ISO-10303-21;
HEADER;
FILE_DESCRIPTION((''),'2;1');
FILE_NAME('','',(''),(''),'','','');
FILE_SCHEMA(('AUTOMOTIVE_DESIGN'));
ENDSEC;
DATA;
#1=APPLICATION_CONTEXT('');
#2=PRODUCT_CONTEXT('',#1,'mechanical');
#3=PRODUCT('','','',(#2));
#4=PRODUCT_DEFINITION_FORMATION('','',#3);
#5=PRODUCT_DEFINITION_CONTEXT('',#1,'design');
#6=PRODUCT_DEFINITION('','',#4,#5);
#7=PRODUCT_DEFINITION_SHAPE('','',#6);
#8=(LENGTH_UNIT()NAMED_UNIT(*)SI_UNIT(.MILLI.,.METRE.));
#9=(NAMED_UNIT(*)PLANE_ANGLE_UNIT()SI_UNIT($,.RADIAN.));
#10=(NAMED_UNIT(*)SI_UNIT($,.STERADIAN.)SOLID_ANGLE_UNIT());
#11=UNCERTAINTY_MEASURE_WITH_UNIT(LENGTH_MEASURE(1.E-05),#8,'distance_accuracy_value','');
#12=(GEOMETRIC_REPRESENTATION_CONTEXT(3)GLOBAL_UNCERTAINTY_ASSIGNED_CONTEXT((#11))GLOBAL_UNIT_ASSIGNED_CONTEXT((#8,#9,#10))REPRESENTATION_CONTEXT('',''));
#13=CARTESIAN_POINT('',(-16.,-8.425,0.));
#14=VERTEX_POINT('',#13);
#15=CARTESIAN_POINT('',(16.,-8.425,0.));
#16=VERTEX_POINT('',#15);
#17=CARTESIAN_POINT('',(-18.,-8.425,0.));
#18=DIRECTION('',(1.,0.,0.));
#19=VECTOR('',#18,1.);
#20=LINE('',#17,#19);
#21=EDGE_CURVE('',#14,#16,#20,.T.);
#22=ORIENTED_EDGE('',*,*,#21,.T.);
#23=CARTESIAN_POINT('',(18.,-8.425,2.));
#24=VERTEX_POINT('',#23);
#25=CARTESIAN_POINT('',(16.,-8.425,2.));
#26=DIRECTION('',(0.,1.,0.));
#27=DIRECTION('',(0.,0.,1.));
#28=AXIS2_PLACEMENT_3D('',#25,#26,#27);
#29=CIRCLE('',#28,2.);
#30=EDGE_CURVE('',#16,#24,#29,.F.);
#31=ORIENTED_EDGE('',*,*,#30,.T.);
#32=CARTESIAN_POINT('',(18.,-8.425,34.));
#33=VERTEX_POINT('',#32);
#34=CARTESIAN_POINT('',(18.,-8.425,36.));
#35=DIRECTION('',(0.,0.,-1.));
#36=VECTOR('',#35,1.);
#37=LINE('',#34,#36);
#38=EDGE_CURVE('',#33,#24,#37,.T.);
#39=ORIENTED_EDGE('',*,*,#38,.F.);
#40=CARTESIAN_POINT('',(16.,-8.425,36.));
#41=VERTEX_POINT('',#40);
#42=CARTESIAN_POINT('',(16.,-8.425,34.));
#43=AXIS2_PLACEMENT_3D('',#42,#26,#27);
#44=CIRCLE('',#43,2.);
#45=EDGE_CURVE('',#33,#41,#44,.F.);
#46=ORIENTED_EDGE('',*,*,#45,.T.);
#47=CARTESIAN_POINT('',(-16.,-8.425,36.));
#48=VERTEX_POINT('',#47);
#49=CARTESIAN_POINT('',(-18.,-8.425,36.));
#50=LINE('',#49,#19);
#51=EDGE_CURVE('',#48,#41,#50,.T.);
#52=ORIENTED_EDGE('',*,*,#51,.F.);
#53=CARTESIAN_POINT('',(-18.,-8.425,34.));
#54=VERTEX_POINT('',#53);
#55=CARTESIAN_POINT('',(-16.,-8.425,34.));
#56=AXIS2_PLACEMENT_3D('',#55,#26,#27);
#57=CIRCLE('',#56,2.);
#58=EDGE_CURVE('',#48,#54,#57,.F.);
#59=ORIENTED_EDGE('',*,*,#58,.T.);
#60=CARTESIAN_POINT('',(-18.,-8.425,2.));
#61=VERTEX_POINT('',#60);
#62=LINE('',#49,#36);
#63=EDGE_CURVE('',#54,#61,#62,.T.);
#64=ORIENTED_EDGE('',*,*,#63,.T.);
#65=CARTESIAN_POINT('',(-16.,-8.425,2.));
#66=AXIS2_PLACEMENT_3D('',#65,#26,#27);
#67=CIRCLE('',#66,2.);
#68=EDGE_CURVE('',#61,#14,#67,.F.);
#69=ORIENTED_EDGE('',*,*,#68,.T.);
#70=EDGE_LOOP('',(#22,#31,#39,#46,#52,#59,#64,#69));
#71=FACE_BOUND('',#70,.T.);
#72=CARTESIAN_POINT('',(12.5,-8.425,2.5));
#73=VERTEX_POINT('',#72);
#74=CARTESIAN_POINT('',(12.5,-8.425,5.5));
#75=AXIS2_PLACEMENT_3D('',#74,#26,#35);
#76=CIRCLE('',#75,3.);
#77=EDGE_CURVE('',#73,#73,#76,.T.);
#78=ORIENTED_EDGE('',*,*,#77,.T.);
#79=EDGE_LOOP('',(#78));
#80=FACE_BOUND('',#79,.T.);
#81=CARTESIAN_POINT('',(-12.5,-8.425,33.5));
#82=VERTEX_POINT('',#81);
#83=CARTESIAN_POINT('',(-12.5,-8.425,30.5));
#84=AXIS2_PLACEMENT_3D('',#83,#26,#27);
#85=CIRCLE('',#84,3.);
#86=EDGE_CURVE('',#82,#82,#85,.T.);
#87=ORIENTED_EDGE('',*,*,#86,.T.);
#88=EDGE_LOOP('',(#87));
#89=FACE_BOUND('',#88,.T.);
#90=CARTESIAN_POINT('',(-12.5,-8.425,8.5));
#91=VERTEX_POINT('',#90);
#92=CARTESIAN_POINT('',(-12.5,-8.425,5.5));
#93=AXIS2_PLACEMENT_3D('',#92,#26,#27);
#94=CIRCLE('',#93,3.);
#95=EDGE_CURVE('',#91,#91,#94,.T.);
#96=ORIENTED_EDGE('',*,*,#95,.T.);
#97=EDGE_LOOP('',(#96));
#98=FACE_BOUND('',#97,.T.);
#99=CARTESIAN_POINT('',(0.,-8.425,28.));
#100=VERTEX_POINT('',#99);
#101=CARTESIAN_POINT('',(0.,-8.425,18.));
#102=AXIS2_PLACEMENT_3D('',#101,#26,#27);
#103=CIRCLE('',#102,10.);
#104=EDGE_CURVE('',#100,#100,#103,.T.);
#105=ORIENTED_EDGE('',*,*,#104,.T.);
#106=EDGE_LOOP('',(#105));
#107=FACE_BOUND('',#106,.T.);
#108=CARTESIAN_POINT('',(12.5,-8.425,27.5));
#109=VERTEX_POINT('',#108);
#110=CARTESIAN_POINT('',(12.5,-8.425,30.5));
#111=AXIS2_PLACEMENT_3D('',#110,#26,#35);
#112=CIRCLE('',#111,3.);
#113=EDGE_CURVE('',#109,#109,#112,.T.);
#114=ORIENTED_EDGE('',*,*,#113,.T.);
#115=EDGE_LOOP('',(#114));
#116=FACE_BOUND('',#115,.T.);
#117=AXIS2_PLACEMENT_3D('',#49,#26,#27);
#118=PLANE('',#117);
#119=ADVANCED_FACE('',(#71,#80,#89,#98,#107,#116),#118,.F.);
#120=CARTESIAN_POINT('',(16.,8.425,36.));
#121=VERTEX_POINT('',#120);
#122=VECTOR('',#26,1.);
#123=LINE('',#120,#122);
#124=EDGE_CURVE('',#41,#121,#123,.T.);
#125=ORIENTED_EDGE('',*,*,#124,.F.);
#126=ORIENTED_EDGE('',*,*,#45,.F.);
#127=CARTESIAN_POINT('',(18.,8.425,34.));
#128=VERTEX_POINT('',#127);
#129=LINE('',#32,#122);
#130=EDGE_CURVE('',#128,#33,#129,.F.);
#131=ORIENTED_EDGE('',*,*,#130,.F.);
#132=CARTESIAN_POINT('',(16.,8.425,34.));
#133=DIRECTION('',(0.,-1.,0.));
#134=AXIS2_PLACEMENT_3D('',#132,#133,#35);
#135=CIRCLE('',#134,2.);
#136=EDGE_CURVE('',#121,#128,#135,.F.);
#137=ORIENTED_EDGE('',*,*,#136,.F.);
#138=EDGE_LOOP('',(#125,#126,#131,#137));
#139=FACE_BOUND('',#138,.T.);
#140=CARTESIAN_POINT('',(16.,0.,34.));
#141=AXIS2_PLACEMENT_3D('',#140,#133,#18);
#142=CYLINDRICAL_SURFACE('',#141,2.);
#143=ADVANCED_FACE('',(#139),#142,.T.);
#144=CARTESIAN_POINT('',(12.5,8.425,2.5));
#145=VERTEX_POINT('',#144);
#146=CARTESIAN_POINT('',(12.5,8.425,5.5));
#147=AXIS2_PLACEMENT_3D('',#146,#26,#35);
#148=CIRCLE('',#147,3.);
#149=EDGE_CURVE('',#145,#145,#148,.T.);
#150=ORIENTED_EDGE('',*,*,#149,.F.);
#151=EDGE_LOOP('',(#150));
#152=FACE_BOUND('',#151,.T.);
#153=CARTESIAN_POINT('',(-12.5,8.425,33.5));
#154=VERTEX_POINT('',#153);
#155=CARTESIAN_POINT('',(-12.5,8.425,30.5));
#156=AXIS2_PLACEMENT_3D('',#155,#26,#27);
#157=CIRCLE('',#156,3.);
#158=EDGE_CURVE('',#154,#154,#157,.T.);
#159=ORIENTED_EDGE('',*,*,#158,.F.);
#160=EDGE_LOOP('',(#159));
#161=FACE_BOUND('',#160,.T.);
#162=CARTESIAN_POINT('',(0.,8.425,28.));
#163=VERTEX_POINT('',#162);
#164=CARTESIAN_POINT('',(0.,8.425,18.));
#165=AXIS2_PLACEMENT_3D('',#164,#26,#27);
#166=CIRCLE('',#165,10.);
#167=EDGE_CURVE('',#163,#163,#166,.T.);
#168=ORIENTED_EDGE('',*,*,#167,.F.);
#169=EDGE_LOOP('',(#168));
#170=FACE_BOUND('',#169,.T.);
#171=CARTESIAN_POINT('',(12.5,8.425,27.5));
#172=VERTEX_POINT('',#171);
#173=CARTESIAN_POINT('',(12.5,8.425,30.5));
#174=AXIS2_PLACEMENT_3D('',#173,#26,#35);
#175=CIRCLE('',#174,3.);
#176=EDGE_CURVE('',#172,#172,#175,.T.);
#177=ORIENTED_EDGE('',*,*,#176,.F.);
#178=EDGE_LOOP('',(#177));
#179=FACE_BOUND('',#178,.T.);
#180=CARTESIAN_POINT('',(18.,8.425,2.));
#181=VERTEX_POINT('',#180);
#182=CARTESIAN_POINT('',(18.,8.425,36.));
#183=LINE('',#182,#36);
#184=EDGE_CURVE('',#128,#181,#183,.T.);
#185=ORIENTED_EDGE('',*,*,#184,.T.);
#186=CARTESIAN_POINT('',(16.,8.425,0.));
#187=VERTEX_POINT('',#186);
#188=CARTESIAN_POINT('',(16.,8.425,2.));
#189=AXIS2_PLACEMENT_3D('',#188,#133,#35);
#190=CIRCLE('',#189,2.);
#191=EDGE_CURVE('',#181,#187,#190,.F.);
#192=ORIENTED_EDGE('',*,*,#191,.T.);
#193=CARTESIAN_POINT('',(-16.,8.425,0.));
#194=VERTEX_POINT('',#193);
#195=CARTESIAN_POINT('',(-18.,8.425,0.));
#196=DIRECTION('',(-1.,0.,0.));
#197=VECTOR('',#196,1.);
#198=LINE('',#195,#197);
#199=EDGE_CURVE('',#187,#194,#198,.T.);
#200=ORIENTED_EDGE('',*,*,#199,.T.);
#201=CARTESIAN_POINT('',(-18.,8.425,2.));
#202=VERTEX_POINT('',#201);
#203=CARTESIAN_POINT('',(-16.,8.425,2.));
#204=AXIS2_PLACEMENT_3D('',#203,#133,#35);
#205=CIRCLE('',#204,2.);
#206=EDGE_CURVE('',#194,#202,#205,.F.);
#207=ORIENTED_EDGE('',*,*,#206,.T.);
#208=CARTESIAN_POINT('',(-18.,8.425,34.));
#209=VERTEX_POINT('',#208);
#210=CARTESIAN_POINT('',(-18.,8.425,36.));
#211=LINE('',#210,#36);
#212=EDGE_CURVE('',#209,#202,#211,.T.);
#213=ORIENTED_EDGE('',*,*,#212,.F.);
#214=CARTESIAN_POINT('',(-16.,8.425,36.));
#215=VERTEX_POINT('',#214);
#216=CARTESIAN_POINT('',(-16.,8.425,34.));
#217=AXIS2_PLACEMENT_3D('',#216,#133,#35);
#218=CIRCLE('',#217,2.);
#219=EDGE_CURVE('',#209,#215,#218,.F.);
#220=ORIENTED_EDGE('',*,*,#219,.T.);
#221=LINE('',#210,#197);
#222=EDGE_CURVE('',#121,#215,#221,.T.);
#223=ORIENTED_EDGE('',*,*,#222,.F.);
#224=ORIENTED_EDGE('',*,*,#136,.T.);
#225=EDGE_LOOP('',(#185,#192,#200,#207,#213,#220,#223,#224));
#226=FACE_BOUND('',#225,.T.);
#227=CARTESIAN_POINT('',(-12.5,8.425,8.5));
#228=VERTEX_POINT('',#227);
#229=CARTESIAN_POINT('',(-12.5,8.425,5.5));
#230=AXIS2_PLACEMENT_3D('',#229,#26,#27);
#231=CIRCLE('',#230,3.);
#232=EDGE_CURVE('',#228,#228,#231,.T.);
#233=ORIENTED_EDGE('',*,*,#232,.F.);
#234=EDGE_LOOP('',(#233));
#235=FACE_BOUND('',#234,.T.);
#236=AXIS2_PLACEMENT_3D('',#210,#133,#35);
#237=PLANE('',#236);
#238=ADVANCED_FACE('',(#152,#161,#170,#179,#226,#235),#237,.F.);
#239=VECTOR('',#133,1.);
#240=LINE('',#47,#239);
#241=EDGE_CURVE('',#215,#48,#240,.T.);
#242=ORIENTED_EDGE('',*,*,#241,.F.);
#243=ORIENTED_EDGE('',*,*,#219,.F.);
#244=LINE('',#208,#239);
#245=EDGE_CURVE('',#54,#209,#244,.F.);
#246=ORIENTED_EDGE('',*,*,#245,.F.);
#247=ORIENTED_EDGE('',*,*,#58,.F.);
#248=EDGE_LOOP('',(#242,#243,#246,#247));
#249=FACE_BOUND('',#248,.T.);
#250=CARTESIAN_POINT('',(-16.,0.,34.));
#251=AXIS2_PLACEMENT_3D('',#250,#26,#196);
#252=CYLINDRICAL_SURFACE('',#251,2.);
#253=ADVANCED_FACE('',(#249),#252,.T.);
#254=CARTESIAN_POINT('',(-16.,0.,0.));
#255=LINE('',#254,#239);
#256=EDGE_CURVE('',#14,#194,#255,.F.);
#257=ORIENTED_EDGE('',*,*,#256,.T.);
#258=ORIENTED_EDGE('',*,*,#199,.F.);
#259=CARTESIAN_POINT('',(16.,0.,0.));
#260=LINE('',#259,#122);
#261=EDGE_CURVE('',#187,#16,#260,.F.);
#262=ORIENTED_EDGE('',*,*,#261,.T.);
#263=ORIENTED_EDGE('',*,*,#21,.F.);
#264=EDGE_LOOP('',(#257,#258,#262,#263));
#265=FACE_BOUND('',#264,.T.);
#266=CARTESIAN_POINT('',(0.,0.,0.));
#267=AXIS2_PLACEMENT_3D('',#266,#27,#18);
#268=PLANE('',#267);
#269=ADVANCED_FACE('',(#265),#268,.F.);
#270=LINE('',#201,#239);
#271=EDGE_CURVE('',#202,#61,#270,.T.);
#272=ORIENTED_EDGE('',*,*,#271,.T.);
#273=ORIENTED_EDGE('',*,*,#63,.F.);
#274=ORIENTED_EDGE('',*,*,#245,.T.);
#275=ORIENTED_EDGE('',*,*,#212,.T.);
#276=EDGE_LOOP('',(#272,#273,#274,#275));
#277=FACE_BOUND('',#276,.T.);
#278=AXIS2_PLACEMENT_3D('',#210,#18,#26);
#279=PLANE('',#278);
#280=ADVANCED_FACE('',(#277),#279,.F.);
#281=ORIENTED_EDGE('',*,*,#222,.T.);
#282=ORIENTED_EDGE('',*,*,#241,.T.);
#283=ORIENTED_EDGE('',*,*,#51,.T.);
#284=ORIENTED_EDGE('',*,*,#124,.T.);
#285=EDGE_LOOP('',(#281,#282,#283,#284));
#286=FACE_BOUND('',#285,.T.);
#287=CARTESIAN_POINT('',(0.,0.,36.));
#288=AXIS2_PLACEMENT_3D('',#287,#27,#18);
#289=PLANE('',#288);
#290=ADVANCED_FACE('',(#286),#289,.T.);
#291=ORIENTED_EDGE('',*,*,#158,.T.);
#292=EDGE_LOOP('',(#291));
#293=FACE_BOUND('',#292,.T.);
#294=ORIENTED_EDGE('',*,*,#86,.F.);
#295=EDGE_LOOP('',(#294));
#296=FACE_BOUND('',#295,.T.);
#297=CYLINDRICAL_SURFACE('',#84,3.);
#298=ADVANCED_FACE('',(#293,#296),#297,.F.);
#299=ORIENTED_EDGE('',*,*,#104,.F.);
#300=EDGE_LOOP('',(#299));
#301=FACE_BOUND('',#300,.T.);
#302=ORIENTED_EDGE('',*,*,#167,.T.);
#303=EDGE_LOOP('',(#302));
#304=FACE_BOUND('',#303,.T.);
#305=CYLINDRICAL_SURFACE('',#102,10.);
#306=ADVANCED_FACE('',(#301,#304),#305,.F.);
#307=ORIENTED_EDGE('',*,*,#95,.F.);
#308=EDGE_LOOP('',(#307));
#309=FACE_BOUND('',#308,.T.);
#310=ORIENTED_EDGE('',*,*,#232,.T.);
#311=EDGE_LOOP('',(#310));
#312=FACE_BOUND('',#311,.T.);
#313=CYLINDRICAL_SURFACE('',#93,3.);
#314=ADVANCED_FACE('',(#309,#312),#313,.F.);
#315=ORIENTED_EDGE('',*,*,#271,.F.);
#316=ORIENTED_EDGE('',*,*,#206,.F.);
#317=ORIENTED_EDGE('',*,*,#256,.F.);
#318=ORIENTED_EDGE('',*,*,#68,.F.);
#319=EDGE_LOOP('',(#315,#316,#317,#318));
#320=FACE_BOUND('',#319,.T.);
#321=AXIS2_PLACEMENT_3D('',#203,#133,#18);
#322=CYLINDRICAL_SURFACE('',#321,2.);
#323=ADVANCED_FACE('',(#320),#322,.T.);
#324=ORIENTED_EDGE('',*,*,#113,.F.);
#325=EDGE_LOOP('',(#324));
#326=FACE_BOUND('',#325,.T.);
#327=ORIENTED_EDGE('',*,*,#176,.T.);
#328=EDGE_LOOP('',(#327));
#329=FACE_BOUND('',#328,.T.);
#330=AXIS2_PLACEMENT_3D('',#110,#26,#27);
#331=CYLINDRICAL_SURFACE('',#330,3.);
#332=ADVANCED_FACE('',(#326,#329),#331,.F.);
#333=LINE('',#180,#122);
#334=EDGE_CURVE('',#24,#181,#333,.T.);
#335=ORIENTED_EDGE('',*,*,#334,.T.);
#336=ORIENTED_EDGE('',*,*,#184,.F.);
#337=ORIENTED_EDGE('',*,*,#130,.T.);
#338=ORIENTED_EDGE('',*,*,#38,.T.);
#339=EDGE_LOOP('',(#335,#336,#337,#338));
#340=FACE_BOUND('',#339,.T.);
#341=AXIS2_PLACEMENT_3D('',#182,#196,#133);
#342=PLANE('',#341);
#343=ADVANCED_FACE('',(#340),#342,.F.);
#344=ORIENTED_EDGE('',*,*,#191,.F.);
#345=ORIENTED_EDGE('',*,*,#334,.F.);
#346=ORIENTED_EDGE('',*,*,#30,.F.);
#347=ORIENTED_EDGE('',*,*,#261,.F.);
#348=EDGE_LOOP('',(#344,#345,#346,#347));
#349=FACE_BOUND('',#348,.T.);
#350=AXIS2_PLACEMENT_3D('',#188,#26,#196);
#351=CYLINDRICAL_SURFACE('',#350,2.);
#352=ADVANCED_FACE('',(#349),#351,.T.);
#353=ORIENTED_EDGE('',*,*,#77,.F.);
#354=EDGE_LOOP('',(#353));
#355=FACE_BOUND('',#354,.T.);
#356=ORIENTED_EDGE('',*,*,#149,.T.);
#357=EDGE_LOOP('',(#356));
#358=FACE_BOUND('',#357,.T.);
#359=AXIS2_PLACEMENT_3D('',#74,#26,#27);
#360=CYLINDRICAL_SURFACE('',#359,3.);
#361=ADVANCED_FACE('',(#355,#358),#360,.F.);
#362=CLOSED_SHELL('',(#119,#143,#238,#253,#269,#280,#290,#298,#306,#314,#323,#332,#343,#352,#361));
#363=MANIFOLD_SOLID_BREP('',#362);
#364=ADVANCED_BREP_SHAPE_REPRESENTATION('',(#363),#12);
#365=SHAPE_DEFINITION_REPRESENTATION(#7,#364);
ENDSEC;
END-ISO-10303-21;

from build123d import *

# Parameters (mm, degrees)
SKETCH_1_W          = 36
SKETCH_1_H          = 16.85
EXTRUDE_1_DEPTH     = 36
SKETCH_2_R          = 3
CUT_EXTRUDE_1_DEPTH = 17.85
SKETCH_3_R          = 10
CUT_EXTRUDE_2_DEPTH = 17.85
FILLET_1_R          = 2


with BuildPart() as part:
    # 草图1 → 凸台-拉伸1 (new body)
    with BuildSketch(Plane.XY):
        Rectangle(SKETCH_1_W, SKETCH_1_H)
    extrude(amount=EXTRUDE_1_DEPTH)

    # 草图2 → 切除-拉伸1 (cut, through all)
    with BuildSketch(Plane(origin=(0, 8.425, 0), x_dir=(1, 0, 0), z_dir=(0, 1, 0))):
        with Locations((-12.5, -5.5)):
            Circle(SKETCH_2_R)
        with Locations((-12.5, -30.5)):
            Circle(SKETCH_2_R)
        with Locations((12.5, -30.5)):
            Circle(SKETCH_2_R)
        with Locations((12.5, -5.5)):
            Circle(SKETCH_2_R)
    extrude(amount=-CUT_EXTRUDE_1_DEPTH, mode=Mode.SUBTRACT)

    # 草图3 → 切除-拉伸2 (cut, through all)
    with BuildSketch(Plane(origin=(0, 8.425, 0), x_dir=(1, 0, 0), z_dir=(0, 1, 0))):
        with Locations((0, -18)):
            Circle(SKETCH_3_R)
    extrude(amount=-CUT_EXTRUDE_2_DEPTH, mode=Mode.SUBTRACT)

    # 圆角1
    fillet_1_edges = [part.edges().sort_by_distance(p)[0] for p in [
        (-18, 0, 36),
        (18, 0, 36),
        (-18, 0, 0),
        (18, 0, 0),
    ]]
    fillet(fillet_1_edges, radius=FILLET_1_R)


solid = part.part
